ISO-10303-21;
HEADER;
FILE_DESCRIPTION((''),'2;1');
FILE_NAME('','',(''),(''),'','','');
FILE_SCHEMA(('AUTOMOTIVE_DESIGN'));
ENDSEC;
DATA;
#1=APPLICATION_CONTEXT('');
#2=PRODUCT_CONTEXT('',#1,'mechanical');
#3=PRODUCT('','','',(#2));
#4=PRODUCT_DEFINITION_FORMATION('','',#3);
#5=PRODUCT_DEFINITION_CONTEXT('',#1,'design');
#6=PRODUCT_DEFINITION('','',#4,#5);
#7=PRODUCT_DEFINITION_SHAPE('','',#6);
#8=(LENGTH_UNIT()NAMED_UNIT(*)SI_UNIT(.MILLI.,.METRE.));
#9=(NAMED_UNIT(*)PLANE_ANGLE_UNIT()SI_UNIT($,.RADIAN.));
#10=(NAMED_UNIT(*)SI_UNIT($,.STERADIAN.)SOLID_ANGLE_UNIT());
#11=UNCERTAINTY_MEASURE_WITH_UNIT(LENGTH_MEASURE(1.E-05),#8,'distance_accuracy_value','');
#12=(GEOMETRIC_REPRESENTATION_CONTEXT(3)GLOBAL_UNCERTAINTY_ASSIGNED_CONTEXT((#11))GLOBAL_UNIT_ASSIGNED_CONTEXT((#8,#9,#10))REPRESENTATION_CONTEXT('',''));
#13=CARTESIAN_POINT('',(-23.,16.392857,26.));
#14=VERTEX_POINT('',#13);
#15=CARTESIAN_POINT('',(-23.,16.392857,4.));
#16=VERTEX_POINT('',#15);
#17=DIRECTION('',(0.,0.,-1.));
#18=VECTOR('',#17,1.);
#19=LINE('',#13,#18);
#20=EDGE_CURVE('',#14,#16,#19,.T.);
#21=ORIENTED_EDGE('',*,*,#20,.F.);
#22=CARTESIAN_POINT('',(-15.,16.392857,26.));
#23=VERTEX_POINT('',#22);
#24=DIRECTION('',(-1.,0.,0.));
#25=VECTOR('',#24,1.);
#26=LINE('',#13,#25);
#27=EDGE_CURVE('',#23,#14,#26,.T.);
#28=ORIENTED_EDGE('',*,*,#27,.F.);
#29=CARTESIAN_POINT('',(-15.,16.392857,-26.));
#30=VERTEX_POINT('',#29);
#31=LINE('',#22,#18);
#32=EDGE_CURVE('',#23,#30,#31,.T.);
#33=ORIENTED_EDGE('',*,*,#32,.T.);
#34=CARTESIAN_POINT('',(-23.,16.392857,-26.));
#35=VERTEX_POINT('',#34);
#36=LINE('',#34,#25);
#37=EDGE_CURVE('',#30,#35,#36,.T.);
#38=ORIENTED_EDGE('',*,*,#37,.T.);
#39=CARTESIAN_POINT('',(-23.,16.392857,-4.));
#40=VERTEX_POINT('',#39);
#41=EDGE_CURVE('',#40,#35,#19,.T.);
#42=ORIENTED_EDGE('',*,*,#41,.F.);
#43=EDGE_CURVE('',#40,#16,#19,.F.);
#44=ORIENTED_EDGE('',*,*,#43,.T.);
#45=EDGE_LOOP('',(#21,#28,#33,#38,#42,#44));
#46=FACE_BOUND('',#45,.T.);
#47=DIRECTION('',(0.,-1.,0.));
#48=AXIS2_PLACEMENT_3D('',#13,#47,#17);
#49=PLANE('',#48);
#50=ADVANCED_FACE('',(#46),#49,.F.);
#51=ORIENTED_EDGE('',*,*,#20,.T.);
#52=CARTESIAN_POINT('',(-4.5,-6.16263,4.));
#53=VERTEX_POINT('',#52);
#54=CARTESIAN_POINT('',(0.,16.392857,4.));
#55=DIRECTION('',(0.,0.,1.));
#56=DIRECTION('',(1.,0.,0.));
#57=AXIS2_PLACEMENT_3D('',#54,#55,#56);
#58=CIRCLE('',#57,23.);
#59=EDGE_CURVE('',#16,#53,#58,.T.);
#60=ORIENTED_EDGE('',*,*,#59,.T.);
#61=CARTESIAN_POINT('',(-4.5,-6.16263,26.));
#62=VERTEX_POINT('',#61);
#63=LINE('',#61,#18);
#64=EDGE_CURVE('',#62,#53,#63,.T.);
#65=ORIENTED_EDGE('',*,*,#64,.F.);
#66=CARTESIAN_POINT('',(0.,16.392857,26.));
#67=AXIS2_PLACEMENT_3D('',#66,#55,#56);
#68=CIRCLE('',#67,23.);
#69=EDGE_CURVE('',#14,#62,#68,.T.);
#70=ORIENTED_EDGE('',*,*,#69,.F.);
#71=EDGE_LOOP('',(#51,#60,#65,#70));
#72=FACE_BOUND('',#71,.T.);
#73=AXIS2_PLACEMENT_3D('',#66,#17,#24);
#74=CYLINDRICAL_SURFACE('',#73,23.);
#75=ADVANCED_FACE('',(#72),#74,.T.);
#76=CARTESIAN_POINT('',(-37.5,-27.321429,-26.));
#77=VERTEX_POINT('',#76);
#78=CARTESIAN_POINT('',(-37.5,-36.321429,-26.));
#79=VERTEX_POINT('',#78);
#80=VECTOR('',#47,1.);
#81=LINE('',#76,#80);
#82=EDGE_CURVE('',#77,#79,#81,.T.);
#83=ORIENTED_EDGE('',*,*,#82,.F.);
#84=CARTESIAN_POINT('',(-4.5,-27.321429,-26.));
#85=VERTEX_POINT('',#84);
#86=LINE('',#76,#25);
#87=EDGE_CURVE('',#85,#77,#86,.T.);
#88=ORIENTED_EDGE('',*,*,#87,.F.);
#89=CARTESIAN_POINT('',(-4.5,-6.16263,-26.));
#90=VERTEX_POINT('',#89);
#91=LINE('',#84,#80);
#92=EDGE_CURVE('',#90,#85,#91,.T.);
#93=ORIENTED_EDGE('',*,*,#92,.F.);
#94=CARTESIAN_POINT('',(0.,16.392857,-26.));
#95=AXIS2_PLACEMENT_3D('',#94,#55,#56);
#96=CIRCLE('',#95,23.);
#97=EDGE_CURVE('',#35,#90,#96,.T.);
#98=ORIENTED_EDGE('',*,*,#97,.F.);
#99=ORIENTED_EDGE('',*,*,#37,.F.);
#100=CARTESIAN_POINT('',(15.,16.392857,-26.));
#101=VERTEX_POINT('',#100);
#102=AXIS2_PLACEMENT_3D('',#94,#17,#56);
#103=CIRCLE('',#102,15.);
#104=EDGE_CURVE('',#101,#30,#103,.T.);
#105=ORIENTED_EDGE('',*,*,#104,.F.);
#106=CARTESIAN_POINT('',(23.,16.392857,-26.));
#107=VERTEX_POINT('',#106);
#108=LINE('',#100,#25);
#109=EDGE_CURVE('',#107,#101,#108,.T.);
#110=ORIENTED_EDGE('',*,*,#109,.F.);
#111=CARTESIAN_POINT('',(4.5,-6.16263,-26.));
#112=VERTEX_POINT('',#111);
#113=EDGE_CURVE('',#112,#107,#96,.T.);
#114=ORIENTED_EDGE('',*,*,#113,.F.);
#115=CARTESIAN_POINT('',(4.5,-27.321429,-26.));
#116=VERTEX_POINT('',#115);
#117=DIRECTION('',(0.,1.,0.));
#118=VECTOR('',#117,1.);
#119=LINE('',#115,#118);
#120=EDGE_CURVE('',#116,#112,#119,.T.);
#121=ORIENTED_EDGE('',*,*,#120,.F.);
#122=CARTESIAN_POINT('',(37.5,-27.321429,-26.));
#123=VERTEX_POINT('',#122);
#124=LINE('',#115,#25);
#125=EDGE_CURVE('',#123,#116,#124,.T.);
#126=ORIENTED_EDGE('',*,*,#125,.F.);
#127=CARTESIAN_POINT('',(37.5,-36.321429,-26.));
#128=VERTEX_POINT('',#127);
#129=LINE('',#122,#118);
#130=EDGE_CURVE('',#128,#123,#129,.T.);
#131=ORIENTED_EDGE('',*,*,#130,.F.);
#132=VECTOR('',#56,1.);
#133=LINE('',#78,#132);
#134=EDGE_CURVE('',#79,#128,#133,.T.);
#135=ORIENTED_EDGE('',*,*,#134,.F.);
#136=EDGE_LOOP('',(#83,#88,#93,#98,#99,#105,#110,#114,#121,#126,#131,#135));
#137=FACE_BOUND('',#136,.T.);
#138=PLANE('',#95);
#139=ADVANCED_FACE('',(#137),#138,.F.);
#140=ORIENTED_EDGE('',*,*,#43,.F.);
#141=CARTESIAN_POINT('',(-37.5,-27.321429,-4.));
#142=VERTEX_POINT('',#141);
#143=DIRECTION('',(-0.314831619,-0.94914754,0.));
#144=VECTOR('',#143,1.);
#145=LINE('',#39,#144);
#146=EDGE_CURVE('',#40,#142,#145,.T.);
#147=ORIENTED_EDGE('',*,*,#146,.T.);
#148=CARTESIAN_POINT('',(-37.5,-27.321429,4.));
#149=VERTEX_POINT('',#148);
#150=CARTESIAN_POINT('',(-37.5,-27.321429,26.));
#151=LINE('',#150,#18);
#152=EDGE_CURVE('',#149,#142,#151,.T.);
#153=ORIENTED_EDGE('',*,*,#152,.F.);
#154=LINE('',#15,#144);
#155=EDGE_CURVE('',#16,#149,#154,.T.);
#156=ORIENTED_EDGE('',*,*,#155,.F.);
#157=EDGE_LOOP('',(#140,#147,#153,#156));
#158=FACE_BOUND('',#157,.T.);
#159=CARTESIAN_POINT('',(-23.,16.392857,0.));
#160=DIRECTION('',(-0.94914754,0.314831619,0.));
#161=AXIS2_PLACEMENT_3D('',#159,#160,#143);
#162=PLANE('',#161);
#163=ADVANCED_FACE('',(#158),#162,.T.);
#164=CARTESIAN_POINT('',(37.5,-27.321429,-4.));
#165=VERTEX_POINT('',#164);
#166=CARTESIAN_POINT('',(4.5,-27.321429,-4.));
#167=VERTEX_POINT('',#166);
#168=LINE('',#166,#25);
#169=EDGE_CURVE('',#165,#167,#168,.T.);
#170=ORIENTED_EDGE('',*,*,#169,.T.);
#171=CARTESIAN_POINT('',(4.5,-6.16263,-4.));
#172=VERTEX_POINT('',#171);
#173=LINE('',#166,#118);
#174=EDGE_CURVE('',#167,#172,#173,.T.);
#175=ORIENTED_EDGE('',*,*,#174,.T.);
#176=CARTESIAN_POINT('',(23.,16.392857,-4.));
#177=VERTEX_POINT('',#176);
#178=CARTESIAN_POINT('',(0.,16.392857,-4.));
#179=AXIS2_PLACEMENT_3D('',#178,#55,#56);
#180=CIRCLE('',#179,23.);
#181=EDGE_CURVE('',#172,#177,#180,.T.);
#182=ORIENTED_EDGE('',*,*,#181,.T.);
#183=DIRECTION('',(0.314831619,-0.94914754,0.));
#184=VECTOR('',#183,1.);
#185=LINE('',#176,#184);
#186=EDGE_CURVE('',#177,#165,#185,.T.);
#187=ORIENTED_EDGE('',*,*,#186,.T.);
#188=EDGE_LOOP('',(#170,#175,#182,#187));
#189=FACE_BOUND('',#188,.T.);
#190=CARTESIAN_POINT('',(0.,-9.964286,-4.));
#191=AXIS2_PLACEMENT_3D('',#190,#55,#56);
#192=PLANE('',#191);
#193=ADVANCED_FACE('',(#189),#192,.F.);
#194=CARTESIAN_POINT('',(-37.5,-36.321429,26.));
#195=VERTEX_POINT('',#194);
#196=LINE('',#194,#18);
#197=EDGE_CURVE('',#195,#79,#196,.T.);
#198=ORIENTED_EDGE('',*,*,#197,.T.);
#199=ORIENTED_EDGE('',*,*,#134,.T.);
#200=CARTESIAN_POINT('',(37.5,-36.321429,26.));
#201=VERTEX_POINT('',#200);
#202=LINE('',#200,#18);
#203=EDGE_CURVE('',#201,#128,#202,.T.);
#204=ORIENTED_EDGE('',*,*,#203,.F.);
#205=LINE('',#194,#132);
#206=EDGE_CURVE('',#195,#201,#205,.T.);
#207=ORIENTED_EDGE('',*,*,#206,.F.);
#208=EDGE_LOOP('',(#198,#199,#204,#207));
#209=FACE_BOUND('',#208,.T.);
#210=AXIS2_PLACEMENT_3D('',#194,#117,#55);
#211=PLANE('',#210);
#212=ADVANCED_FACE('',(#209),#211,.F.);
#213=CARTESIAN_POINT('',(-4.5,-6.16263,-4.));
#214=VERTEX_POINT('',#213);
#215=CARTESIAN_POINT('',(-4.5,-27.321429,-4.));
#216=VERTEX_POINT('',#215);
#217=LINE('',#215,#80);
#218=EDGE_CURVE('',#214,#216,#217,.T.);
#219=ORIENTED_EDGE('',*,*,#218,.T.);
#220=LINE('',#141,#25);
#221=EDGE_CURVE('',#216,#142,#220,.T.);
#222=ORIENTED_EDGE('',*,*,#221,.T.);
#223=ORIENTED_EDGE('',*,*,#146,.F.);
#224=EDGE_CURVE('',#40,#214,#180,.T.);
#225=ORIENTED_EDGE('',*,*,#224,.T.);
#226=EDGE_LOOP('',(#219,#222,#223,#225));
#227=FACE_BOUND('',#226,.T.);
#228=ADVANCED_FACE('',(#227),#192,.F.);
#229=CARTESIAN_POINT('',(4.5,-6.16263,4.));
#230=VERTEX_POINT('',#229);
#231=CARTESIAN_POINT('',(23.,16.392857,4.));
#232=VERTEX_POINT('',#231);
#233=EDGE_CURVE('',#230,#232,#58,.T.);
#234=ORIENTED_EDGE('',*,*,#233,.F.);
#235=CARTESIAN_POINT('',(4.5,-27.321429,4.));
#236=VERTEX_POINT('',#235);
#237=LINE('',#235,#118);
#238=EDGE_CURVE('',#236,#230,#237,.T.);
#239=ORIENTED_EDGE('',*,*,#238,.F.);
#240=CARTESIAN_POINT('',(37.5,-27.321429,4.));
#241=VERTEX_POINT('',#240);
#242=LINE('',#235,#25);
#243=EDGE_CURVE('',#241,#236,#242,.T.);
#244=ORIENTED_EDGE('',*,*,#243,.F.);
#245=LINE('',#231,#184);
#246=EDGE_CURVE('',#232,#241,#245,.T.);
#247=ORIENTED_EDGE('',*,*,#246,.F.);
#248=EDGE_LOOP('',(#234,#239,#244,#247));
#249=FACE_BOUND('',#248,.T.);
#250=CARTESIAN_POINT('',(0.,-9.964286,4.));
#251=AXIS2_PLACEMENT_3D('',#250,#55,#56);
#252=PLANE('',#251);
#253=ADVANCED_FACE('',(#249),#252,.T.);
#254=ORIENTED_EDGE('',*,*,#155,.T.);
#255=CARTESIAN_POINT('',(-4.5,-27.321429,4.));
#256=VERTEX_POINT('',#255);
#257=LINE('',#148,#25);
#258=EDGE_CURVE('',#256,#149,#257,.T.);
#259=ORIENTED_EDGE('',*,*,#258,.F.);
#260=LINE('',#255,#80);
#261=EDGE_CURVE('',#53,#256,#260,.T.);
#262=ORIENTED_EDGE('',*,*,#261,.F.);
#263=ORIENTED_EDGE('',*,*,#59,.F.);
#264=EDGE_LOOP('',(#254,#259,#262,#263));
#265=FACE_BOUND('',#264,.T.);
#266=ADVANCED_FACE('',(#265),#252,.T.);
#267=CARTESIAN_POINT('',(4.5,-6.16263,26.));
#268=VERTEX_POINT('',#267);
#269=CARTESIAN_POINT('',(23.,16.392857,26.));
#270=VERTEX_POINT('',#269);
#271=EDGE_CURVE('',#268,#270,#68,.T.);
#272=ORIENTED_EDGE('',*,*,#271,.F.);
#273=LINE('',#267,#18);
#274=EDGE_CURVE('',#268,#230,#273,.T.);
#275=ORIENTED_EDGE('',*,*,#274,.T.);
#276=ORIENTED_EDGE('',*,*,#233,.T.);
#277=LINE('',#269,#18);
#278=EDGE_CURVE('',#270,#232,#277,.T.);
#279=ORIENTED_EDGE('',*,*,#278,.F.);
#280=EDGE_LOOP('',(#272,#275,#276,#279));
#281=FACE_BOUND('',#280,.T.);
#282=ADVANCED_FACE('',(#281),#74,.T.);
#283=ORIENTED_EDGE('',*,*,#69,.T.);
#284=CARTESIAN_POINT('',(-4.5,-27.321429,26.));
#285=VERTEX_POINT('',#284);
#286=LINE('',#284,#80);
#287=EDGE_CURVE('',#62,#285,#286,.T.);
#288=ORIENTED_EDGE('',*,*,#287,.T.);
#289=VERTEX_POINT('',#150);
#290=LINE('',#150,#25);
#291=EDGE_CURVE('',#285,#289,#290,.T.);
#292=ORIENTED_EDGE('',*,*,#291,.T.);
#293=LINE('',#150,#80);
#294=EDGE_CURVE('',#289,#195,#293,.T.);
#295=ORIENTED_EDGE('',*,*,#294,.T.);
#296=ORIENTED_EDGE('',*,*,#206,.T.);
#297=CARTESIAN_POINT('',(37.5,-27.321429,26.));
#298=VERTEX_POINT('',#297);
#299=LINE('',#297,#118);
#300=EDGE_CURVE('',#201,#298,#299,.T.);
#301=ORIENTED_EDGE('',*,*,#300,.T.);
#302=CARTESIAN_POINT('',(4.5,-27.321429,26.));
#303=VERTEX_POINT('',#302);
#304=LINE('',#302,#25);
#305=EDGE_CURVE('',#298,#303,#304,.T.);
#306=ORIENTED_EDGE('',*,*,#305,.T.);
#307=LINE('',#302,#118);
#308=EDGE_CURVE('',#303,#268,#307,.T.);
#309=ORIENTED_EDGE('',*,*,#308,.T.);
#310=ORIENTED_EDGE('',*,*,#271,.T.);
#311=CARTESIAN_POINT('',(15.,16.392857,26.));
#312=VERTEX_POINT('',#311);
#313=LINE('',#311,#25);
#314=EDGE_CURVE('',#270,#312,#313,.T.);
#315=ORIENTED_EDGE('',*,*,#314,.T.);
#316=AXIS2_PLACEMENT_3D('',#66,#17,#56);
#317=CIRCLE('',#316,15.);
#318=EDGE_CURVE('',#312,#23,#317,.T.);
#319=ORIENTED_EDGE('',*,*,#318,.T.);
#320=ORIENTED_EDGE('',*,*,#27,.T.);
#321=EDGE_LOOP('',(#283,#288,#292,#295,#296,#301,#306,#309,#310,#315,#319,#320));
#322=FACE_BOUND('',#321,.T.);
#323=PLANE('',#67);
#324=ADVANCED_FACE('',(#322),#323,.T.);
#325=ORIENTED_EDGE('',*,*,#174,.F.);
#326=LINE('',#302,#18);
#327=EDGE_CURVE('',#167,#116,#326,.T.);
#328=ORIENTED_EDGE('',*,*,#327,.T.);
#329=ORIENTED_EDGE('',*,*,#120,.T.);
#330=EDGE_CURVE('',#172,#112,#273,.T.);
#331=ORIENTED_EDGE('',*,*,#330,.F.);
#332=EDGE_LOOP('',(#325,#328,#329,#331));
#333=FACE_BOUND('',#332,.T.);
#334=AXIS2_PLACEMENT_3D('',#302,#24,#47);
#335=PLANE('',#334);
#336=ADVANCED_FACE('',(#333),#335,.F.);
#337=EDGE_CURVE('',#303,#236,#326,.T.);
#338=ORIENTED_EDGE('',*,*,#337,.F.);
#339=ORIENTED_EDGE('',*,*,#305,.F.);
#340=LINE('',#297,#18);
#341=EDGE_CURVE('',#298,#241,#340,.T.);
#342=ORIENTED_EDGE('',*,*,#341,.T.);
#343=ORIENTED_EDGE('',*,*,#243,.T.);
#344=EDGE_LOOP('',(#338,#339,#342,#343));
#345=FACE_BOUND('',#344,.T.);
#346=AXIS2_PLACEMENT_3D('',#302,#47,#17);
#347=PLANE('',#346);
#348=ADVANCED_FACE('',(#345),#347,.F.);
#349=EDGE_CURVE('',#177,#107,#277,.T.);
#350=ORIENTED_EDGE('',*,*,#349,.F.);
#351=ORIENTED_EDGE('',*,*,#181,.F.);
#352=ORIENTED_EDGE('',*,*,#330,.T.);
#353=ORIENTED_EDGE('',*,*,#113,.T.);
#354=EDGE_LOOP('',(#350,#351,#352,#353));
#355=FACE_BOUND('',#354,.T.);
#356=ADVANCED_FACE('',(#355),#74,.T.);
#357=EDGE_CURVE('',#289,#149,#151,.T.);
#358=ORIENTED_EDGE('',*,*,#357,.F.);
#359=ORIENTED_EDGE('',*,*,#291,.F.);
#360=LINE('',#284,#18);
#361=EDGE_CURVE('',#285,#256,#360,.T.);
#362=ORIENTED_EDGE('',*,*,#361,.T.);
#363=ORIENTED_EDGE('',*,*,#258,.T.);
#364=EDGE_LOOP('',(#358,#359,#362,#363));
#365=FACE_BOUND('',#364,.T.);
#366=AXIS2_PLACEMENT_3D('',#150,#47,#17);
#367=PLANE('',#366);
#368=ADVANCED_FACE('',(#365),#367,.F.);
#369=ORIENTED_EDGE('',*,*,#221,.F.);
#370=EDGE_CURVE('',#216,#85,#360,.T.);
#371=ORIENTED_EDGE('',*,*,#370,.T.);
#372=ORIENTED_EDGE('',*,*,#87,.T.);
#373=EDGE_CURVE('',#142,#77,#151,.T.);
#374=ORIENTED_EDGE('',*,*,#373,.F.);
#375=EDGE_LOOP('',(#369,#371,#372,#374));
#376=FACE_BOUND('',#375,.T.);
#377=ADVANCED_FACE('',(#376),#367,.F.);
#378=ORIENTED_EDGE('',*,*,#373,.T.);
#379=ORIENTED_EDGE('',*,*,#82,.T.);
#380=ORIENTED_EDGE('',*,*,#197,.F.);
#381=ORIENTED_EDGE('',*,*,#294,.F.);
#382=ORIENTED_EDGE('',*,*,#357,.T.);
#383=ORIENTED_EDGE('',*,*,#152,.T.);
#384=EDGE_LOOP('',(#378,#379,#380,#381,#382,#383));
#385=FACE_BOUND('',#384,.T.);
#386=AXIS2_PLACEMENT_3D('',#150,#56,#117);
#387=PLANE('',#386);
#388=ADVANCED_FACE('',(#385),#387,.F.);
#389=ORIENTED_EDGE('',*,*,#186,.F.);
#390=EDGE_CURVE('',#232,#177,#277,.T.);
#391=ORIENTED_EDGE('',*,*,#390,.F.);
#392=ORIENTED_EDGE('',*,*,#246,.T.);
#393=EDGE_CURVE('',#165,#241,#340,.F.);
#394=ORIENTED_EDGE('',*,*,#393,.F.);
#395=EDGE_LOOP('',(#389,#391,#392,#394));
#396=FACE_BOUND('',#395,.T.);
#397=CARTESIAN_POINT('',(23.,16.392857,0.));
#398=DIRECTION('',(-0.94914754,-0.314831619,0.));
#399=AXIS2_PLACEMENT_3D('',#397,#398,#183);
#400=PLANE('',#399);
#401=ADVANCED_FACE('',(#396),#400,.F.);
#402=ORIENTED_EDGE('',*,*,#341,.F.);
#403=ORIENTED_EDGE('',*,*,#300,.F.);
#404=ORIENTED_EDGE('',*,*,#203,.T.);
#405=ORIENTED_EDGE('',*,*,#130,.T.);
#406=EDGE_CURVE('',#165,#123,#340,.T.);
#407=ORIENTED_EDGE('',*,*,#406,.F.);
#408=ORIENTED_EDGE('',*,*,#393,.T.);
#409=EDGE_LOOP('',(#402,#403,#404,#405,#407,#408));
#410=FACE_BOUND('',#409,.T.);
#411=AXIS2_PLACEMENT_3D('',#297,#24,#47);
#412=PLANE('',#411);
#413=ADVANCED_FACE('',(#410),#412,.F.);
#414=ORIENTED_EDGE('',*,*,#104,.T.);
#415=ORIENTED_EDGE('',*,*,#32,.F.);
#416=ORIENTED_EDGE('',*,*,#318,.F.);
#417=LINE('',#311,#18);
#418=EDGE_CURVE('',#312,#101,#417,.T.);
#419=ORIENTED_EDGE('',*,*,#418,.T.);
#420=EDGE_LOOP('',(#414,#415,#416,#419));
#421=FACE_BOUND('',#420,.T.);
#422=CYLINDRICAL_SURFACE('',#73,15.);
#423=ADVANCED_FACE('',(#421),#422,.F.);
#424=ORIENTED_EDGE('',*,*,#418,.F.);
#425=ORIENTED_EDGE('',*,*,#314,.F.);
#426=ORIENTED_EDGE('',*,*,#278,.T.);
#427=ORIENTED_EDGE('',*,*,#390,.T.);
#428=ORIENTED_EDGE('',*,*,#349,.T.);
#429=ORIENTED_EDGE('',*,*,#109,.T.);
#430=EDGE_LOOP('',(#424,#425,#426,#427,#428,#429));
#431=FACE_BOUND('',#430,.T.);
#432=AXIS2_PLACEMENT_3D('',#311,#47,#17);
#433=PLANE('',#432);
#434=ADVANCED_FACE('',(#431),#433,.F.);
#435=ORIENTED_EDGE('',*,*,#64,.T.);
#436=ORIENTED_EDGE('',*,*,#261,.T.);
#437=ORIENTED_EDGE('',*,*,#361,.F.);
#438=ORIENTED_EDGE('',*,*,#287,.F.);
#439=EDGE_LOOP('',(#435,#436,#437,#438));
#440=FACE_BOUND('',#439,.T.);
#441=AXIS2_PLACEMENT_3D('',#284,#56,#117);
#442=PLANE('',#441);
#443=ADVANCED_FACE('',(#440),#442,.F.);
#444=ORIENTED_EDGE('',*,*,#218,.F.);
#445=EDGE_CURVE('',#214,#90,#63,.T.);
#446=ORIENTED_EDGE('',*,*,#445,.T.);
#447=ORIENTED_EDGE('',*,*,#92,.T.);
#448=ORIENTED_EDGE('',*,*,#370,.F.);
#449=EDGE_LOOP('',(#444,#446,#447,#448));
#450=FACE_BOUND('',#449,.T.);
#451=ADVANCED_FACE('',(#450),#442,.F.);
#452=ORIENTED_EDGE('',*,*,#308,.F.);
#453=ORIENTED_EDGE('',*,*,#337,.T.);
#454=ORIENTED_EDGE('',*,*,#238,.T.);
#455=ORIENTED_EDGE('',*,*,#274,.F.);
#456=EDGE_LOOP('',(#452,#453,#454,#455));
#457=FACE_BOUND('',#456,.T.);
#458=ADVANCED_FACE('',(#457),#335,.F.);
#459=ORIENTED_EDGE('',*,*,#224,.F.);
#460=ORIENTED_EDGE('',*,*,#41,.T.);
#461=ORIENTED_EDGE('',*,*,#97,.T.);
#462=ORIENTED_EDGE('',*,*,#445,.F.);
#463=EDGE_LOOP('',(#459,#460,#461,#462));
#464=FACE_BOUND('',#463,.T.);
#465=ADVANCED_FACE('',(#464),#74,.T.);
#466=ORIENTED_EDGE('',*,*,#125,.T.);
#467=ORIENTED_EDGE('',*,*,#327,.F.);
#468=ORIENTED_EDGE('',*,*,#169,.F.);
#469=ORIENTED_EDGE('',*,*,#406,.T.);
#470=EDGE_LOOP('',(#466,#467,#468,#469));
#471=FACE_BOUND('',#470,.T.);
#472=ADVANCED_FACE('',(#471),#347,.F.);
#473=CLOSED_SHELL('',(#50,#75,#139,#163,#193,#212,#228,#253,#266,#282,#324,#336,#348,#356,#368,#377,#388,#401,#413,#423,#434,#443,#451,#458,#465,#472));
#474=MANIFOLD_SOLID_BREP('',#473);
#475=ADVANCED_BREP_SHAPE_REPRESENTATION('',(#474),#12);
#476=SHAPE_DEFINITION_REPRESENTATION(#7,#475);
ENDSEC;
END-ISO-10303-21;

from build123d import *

# Parameters (mm, degrees)
BOSS_EXTRUDE2_DEPTH = 26
RIB1_REACH          = 60.322
SKETCH5_WALL_W      = 164.701059438
SKETCH5_WALL_H      = 8


with BuildPart() as part:
    # Sketch3 → Boss-Extrude2 (new, symmetric)
    with BuildSketch(Plane.XY):
        with BuildLine():
            Line((-37.5, -27.321428571), (-4.5, -27.321428571))
            Line((-4.5, -27.321428571), (-4.5, -6.162629994))
            ThreePointArc((-4.5, -6.162629994), (-17.783419244, 1.806904997), (-23, 16.392857143))
            Line((-23, 16.392857143), (-15, 16.392857143))
            ThreePointArc((-15, 16.392857143), (0, 1.392857143), (15, 16.392857143))
            Line((15, 16.392857143), (23, 16.392857143))
            ThreePointArc((23, 16.392857143), (17.783419244, 1.806904997), (4.5, -6.162629994))
            Line((4.5, -6.162629994), (4.5, -27.321428571))
            Line((4.5, -27.321428571), (37.5, -27.321428571))
            Line((37.5, -27.321428571), (37.5, -36.321428571))
            Line((37.5, -36.321428571), (-37.5, -36.321428571))
            Line((-37.5, -36.321428571), (-37.5, -27.321428571))
        make_face()
    extrude(amount=BOSS_EXTRUDE2_DEPTH, both=True)

    # Sketch5 wall → Rib1 (add, up to next)
    with BuildSketch(Plane(origin=(30.25, -5.464285714, 0), x_dir=(0.314831618537, -0.949147539622, 0), z_dir=(0.949147539622, 0.314831618537, 0)), mode=Mode.PRIVATE) as rib1_sk1:
        Rectangle(SKETCH5_WALL_W, SKETCH5_WALL_H)
    rib1_tool1 = extrude(rib1_sk1.sketch, amount=-RIB1_REACH, mode=Mode.PRIVATE) - part.part
    rib1 = rib1_tool1.solids().sort_by_distance((30.25, -5.464285714, 0))[0]
    add(rib1)

    # Mirror1: Rib1 across plane
    add(rib1.mirror(Plane(origin=(0, 0, 0), x_dir=(0, 0, 1), z_dir=(1, 0, 0))))


solid = part.part
